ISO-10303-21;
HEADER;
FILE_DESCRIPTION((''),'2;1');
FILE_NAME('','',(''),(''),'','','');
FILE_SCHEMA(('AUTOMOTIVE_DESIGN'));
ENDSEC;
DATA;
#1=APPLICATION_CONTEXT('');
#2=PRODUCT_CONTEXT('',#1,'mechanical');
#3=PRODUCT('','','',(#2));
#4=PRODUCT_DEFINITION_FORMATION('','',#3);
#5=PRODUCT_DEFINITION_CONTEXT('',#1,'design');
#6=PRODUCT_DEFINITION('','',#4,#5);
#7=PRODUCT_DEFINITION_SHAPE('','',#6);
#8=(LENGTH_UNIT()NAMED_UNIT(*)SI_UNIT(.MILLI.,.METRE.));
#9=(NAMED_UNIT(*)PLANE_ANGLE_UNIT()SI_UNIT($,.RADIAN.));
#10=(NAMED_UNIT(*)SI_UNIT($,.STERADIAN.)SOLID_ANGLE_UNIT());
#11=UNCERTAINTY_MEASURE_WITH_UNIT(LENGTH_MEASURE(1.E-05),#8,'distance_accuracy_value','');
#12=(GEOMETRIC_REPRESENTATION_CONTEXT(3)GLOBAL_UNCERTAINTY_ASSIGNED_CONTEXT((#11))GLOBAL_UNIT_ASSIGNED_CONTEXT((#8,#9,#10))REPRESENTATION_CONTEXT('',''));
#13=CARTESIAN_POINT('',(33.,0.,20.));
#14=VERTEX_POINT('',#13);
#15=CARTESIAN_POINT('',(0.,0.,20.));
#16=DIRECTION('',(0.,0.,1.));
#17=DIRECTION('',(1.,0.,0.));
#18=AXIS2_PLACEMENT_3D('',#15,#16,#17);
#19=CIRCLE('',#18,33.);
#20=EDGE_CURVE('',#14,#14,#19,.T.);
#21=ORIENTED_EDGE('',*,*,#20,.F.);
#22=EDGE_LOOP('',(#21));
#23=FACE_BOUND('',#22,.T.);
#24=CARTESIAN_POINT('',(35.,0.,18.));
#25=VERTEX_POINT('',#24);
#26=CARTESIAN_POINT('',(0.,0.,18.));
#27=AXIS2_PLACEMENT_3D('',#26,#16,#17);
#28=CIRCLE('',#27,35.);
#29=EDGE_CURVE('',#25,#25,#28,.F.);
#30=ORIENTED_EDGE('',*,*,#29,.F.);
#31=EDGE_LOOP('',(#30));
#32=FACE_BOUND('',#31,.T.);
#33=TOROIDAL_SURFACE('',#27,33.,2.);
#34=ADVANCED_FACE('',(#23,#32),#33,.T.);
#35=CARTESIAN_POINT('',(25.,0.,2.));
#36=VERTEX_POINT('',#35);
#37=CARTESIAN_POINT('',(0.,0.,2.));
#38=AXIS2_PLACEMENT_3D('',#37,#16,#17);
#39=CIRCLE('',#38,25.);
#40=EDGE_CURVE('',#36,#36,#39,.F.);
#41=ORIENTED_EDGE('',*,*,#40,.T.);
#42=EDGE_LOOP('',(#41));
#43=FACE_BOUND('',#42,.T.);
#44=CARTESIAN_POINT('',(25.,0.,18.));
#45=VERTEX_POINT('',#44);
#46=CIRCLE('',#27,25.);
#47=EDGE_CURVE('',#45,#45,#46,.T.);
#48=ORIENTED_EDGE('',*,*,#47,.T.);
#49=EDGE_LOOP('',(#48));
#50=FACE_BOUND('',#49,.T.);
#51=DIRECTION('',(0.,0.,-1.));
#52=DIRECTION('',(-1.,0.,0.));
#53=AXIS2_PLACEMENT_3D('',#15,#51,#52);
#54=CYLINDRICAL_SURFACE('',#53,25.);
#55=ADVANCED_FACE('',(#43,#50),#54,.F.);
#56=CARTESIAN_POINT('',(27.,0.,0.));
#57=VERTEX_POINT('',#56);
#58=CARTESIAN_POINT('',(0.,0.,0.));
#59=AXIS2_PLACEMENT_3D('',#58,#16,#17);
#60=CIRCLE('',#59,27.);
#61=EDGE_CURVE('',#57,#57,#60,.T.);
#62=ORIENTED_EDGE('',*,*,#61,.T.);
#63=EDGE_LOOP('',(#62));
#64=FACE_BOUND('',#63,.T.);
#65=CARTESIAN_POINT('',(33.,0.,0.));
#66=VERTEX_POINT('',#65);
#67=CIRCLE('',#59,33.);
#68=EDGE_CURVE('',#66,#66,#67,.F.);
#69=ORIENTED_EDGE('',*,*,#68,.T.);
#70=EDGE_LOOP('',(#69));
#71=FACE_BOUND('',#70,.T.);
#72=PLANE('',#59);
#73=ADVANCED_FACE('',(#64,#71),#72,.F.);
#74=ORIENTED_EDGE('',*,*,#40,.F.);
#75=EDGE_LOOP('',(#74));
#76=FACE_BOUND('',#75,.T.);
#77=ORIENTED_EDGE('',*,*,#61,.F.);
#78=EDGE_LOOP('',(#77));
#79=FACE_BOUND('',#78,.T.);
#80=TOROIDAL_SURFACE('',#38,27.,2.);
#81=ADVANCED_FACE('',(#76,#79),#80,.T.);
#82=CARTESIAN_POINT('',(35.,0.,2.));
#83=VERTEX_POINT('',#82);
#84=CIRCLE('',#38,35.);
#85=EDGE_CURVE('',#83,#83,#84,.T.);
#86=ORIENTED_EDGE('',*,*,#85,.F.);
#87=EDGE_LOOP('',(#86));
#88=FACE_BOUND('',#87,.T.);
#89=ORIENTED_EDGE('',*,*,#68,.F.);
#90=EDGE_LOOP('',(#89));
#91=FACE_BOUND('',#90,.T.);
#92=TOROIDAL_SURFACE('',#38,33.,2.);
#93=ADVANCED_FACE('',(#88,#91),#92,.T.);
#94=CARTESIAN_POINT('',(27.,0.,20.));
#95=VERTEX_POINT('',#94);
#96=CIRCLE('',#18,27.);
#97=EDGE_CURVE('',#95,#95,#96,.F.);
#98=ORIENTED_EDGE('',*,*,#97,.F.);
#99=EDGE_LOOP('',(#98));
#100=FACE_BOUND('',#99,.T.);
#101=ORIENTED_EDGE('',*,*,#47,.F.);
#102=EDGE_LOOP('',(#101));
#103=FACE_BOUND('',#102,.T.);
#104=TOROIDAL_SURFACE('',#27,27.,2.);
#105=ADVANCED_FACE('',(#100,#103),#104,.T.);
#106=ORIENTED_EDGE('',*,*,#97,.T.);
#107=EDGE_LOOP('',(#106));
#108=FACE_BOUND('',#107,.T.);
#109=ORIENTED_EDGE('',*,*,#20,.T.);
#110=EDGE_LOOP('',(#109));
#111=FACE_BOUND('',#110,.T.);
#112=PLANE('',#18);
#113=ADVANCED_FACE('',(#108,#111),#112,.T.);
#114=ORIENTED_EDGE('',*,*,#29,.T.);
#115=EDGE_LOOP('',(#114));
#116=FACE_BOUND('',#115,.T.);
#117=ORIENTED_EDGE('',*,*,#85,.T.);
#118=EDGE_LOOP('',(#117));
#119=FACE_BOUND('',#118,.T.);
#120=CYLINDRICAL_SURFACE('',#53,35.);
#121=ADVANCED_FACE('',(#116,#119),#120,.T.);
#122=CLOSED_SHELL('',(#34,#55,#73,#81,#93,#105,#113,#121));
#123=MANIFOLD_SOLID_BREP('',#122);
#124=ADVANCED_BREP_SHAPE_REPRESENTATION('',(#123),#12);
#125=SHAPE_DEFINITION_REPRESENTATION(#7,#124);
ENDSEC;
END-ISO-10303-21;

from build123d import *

# Parameters (mm, degrees)
IZIM1_R                     = 35
IZIM1_R_2                   = 25
Y_KSEKLIK_EKSTR_ZYON1_DEPTH = 20
RADYUS1_R                   = 2


with BuildPart() as part:
    # Çizim1 → Yükseklik-Ekstrüzyon1 (new body)
    with BuildSketch(Plane.XY):
        Circle(IZIM1_R)
        Circle(IZIM1_R_2, mode=Mode.SUBTRACT)
    extrude(amount=Y_KSEKLIK_EKSTR_ZYON1_DEPTH)

    # Radyus1
    radyus1_edges = [part.edges().sort_by_distance(p)[0] for p in [
        (-35, 0, 0),
        (-35, 0, 20),
        (-25, 0, 0),
        (-25, 0, 20),
    ]]
    fillet(radyus1_edges, radius=RADYUS1_R)


solid = part.part
